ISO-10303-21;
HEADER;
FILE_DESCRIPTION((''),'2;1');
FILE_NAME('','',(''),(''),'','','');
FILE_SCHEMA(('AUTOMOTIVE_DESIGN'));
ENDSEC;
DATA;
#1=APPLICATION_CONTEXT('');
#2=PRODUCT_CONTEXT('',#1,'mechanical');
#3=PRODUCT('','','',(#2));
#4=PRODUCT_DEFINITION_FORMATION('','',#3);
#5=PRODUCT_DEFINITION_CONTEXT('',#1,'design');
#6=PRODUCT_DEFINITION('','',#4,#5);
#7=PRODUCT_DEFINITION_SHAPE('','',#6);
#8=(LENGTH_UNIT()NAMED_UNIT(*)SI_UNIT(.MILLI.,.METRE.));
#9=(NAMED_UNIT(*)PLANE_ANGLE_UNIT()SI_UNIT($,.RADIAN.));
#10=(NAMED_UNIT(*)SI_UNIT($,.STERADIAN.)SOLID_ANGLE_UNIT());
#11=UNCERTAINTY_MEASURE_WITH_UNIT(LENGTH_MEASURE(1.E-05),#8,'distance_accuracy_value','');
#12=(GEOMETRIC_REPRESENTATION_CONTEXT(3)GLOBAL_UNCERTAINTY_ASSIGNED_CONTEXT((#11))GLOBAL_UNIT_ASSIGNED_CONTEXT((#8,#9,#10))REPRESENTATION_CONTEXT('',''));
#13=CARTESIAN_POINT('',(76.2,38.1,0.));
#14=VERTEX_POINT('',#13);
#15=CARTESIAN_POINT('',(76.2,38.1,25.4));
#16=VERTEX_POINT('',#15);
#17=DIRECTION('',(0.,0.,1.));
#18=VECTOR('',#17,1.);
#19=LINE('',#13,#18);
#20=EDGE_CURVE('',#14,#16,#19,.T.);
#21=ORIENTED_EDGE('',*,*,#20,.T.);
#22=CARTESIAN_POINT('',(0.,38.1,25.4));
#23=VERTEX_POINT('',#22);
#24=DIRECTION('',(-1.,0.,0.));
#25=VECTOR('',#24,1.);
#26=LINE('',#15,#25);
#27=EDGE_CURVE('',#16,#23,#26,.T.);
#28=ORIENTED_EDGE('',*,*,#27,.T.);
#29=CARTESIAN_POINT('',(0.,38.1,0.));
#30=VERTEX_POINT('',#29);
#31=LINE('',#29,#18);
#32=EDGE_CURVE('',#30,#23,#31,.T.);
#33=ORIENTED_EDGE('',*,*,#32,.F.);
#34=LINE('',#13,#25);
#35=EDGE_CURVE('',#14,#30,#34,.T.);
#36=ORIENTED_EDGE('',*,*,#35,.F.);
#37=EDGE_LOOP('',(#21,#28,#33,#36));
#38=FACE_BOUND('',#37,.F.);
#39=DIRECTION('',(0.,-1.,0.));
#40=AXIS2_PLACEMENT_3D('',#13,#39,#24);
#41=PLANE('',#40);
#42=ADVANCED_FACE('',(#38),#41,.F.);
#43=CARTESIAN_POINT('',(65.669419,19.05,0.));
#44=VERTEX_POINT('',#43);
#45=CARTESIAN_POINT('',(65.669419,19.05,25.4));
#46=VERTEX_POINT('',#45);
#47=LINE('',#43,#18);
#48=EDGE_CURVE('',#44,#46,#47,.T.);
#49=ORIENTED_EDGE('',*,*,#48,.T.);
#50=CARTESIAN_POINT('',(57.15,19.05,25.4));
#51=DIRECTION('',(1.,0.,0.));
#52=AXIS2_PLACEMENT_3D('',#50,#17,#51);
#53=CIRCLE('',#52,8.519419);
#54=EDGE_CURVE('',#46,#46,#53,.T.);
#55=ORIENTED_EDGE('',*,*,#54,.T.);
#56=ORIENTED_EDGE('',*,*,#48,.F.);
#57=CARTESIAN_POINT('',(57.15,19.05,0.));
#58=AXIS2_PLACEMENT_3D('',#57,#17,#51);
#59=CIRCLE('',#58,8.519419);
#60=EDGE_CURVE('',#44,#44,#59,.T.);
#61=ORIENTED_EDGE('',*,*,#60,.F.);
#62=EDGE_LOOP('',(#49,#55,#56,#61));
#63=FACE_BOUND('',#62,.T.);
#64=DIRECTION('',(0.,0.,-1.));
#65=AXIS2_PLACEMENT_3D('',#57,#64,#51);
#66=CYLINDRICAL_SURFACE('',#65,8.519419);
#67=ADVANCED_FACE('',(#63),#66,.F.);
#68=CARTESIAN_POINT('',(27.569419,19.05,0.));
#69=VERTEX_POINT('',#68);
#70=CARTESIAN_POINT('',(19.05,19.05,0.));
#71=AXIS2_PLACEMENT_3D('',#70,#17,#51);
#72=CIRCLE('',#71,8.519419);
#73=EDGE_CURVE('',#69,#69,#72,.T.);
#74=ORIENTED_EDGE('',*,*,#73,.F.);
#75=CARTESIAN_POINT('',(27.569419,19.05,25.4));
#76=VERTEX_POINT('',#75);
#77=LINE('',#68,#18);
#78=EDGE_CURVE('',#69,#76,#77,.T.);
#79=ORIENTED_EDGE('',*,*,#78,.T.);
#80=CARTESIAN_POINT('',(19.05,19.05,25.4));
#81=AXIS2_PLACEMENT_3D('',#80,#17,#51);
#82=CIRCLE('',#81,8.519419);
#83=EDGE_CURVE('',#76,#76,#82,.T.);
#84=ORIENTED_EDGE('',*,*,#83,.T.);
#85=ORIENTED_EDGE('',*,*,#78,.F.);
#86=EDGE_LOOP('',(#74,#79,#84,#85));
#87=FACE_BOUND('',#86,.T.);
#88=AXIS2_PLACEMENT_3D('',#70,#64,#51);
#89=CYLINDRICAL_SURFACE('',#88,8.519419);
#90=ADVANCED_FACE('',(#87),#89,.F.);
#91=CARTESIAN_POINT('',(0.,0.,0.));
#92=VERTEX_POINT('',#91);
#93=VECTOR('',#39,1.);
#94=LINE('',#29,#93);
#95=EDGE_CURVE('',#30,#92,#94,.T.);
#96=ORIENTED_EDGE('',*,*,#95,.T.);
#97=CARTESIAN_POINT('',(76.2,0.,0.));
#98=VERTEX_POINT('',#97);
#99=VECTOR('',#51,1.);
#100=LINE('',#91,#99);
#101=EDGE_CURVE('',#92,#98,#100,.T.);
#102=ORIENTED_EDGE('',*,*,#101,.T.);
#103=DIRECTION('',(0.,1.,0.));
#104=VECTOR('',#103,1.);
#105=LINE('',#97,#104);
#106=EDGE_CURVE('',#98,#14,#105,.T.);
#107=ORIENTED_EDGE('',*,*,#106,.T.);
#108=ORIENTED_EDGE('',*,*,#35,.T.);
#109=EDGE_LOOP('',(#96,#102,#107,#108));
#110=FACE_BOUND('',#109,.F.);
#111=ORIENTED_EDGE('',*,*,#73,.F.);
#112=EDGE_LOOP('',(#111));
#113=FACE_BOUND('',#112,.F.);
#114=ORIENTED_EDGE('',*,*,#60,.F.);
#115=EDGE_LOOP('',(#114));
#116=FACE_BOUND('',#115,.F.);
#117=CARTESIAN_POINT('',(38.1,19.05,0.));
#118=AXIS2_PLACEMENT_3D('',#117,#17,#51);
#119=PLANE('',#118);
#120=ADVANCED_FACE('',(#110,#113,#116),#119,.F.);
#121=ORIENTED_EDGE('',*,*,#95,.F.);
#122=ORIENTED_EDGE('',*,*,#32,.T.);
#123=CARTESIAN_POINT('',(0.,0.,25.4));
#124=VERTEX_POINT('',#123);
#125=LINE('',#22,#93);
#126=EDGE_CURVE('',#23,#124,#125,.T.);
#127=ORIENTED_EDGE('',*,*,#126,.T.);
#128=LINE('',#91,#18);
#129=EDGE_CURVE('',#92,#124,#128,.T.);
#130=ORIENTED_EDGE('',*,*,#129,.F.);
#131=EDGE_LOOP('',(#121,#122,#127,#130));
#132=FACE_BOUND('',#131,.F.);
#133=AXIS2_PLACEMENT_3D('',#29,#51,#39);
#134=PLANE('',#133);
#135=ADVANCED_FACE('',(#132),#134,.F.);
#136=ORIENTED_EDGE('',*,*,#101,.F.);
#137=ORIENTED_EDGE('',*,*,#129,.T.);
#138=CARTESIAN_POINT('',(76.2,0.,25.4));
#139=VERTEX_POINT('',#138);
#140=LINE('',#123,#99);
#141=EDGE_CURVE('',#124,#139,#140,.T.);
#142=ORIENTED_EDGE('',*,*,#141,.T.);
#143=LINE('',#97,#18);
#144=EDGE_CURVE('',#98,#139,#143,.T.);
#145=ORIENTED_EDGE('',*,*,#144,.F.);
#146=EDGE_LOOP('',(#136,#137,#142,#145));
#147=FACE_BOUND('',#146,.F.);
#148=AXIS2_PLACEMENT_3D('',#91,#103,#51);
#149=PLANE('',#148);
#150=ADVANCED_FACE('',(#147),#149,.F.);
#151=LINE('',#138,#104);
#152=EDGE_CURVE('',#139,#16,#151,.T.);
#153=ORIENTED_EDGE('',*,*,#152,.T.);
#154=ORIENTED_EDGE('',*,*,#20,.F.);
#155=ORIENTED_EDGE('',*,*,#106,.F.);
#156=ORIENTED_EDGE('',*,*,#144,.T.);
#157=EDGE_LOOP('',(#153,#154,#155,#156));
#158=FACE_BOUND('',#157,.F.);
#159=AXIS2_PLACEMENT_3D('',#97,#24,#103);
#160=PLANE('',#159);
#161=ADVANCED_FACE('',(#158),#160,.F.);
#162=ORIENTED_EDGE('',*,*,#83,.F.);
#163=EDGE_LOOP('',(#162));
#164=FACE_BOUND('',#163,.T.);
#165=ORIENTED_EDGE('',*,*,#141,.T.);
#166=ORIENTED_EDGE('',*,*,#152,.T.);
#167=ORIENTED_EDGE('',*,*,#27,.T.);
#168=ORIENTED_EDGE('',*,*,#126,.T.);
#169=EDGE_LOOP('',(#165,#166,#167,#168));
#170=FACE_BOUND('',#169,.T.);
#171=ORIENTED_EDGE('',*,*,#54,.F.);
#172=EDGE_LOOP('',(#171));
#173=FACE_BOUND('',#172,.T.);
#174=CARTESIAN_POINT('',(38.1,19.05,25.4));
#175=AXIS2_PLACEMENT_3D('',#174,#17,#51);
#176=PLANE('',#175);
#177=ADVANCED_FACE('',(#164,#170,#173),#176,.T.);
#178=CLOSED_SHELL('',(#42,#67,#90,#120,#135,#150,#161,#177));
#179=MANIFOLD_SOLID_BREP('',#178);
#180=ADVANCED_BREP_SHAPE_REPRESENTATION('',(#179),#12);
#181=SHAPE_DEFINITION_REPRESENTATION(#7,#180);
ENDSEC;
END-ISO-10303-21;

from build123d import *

# Parameters (mm, degrees)
F0_R     = 8.519419
F1_DEPTH = 25.4


with BuildPart() as f1:
    # F0 (on Top) → F1 (new body)
    with BuildSketch(Plane.XY):
        Polygon((0, 38.1), (0, 0), (76.2, 0), (76.2, 38.1), (38.1, 38.1), align=None)
        with Locations((19.05, 19.05)):
            Circle(F0_R, mode=Mode.SUBTRACT)
        with Locations((57.15, 19.05)):
            Circle(F0_R, mode=Mode.SUBTRACT)
    extrude(amount=F1_DEPTH)


solid = f1.part
